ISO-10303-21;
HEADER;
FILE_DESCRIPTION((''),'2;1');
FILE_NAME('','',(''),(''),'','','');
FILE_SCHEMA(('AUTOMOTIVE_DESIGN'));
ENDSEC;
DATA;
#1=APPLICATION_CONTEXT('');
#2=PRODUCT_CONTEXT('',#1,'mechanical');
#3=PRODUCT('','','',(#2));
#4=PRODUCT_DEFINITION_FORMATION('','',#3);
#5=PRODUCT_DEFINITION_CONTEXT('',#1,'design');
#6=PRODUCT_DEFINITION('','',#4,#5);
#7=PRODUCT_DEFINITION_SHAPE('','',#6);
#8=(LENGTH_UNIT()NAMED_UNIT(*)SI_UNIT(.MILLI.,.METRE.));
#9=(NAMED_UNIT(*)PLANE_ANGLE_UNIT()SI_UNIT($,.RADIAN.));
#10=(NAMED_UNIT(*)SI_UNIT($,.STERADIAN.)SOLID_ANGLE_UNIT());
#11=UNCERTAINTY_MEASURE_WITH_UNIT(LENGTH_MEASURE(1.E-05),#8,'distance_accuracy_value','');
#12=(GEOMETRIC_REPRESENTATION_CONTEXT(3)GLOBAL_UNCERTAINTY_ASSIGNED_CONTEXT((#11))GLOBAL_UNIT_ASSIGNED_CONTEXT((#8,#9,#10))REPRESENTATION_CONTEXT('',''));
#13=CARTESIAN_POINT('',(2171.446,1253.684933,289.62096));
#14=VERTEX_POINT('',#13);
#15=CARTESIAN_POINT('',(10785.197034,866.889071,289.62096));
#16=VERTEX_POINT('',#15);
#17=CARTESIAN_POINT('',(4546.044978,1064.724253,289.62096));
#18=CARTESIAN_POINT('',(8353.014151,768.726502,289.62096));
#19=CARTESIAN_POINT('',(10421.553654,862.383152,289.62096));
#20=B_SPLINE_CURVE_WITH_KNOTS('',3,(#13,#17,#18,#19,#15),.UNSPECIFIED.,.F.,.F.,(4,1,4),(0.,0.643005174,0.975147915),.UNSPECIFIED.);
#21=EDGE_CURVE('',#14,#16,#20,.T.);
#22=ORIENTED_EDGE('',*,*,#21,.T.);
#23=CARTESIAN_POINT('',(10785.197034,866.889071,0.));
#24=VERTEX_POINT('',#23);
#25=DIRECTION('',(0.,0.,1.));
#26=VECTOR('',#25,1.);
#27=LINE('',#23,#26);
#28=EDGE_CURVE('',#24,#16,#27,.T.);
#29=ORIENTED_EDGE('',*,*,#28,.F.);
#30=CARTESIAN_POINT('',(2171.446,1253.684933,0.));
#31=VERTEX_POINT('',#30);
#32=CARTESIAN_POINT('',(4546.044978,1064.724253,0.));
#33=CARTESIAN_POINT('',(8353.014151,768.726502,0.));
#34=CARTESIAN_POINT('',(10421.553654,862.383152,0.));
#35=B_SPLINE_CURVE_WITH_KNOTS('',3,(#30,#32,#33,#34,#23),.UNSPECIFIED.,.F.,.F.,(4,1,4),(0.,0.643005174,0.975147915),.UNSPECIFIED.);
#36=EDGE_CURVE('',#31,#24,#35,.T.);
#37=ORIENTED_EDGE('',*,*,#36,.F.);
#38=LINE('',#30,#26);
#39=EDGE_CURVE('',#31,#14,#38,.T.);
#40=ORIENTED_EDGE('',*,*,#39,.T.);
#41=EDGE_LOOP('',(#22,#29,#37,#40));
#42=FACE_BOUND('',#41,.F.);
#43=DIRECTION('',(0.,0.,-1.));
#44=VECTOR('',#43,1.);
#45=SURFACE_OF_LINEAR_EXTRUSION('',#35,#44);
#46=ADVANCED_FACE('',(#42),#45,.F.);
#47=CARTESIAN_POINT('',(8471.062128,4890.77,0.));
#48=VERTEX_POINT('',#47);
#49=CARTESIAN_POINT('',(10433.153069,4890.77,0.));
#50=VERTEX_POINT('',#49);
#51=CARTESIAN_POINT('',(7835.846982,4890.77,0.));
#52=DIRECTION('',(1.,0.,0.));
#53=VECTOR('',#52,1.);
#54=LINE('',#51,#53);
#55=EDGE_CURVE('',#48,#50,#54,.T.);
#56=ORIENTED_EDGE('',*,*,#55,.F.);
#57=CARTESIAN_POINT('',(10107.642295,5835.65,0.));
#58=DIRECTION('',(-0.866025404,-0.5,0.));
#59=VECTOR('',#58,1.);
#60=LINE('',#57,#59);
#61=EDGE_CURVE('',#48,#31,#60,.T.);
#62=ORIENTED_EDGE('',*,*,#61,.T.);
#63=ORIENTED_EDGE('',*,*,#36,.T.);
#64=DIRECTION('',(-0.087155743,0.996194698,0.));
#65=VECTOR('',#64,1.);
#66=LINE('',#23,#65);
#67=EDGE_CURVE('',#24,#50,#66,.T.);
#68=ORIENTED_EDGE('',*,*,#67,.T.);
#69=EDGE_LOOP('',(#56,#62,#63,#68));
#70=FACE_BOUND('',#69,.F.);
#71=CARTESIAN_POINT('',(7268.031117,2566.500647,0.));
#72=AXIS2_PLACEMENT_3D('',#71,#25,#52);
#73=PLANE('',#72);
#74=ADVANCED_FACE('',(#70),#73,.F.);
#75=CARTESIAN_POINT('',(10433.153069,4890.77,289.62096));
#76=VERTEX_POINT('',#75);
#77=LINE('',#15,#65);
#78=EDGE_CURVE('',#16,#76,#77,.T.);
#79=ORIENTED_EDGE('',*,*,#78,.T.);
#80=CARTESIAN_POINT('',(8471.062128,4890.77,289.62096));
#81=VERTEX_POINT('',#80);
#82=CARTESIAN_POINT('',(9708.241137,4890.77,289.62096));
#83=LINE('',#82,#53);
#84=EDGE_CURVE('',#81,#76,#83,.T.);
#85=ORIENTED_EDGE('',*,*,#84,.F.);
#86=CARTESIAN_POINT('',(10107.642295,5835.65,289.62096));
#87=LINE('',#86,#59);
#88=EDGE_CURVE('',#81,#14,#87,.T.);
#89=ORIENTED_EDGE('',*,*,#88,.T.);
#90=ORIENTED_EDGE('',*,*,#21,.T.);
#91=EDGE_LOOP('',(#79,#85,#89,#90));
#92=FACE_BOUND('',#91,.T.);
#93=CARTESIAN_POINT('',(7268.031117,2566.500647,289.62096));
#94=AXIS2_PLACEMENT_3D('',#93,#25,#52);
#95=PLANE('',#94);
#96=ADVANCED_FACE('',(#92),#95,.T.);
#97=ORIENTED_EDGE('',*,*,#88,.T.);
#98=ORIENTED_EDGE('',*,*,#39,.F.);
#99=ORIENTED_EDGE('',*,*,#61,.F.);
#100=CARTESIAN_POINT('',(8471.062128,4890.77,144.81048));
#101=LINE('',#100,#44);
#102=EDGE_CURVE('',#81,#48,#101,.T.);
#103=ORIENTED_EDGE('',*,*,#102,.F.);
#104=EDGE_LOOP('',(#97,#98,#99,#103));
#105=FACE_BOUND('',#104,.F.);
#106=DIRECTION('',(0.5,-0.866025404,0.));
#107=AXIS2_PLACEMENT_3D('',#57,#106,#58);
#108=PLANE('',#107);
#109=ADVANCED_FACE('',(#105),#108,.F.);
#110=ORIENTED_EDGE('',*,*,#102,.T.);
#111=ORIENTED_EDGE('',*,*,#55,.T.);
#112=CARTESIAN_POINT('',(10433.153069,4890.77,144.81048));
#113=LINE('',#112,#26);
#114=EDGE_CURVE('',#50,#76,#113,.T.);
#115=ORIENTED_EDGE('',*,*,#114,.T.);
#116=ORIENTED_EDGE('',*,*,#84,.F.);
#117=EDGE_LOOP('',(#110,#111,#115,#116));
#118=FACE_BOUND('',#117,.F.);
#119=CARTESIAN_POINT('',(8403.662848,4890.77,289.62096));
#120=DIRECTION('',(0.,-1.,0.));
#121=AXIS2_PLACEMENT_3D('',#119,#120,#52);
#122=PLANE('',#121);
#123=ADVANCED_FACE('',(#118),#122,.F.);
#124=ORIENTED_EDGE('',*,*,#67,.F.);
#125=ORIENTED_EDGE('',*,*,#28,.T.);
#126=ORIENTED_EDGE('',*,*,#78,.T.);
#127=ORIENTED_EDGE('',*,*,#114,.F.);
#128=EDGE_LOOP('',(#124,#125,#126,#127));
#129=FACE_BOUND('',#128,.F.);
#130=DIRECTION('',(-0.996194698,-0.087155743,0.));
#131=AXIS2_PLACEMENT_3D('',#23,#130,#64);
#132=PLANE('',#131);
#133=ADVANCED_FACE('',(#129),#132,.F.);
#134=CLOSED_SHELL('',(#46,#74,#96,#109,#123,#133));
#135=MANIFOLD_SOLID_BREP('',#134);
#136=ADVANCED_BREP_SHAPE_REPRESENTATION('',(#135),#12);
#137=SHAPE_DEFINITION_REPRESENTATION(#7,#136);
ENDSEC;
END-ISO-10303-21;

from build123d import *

# Parameters (mm, degrees)
F2_DEPTH = 289.62096
F3_W     = 2609.1565788729
F3_H     = 944.88
F4_DEPTH = 289.6219601


with BuildPart() as f2:
    # F1 (on face) → F2 (new body)
    with BuildSketch(Plane.XY):
        with BuildLine():
            Line((10107.6422951893, 5835.65), (2171.446, 1253.6849326307))
            add(Edge.make_bspline(
                [(2171.446, 1253.6849326307), (4546.0449781619, 1064.7242528498), (8353.0141507847, 768.7265022765), (10421.5536540775, 862.3831522697), (10785.1970337564, 866.8890709604)],
                knots=[0, 0, 0, 0, 0.6430051741, 0.9751479153, 0.9751479153, 0.9751479153, 0.9751479153], degree=3))
            Line((10785.1970337564, 866.8890709604), (10350.4867806949, 5835.65))
            Line((10350.4867806949, 5835.65), (10107.6422951893, 5835.65))
        make_face()
    extrude(amount=F2_DEPTH)

    # F3 (on face) → F4 (cut, through all)
    with BuildSketch(Plane.XY.offset(289.62096)):
        with Locations((9708.2411370394, 5363.21)):
            Rectangle(F3_W, F3_H)
    extrude(amount=-F4_DEPTH, mode=Mode.SUBTRACT)


solid = f2.part
